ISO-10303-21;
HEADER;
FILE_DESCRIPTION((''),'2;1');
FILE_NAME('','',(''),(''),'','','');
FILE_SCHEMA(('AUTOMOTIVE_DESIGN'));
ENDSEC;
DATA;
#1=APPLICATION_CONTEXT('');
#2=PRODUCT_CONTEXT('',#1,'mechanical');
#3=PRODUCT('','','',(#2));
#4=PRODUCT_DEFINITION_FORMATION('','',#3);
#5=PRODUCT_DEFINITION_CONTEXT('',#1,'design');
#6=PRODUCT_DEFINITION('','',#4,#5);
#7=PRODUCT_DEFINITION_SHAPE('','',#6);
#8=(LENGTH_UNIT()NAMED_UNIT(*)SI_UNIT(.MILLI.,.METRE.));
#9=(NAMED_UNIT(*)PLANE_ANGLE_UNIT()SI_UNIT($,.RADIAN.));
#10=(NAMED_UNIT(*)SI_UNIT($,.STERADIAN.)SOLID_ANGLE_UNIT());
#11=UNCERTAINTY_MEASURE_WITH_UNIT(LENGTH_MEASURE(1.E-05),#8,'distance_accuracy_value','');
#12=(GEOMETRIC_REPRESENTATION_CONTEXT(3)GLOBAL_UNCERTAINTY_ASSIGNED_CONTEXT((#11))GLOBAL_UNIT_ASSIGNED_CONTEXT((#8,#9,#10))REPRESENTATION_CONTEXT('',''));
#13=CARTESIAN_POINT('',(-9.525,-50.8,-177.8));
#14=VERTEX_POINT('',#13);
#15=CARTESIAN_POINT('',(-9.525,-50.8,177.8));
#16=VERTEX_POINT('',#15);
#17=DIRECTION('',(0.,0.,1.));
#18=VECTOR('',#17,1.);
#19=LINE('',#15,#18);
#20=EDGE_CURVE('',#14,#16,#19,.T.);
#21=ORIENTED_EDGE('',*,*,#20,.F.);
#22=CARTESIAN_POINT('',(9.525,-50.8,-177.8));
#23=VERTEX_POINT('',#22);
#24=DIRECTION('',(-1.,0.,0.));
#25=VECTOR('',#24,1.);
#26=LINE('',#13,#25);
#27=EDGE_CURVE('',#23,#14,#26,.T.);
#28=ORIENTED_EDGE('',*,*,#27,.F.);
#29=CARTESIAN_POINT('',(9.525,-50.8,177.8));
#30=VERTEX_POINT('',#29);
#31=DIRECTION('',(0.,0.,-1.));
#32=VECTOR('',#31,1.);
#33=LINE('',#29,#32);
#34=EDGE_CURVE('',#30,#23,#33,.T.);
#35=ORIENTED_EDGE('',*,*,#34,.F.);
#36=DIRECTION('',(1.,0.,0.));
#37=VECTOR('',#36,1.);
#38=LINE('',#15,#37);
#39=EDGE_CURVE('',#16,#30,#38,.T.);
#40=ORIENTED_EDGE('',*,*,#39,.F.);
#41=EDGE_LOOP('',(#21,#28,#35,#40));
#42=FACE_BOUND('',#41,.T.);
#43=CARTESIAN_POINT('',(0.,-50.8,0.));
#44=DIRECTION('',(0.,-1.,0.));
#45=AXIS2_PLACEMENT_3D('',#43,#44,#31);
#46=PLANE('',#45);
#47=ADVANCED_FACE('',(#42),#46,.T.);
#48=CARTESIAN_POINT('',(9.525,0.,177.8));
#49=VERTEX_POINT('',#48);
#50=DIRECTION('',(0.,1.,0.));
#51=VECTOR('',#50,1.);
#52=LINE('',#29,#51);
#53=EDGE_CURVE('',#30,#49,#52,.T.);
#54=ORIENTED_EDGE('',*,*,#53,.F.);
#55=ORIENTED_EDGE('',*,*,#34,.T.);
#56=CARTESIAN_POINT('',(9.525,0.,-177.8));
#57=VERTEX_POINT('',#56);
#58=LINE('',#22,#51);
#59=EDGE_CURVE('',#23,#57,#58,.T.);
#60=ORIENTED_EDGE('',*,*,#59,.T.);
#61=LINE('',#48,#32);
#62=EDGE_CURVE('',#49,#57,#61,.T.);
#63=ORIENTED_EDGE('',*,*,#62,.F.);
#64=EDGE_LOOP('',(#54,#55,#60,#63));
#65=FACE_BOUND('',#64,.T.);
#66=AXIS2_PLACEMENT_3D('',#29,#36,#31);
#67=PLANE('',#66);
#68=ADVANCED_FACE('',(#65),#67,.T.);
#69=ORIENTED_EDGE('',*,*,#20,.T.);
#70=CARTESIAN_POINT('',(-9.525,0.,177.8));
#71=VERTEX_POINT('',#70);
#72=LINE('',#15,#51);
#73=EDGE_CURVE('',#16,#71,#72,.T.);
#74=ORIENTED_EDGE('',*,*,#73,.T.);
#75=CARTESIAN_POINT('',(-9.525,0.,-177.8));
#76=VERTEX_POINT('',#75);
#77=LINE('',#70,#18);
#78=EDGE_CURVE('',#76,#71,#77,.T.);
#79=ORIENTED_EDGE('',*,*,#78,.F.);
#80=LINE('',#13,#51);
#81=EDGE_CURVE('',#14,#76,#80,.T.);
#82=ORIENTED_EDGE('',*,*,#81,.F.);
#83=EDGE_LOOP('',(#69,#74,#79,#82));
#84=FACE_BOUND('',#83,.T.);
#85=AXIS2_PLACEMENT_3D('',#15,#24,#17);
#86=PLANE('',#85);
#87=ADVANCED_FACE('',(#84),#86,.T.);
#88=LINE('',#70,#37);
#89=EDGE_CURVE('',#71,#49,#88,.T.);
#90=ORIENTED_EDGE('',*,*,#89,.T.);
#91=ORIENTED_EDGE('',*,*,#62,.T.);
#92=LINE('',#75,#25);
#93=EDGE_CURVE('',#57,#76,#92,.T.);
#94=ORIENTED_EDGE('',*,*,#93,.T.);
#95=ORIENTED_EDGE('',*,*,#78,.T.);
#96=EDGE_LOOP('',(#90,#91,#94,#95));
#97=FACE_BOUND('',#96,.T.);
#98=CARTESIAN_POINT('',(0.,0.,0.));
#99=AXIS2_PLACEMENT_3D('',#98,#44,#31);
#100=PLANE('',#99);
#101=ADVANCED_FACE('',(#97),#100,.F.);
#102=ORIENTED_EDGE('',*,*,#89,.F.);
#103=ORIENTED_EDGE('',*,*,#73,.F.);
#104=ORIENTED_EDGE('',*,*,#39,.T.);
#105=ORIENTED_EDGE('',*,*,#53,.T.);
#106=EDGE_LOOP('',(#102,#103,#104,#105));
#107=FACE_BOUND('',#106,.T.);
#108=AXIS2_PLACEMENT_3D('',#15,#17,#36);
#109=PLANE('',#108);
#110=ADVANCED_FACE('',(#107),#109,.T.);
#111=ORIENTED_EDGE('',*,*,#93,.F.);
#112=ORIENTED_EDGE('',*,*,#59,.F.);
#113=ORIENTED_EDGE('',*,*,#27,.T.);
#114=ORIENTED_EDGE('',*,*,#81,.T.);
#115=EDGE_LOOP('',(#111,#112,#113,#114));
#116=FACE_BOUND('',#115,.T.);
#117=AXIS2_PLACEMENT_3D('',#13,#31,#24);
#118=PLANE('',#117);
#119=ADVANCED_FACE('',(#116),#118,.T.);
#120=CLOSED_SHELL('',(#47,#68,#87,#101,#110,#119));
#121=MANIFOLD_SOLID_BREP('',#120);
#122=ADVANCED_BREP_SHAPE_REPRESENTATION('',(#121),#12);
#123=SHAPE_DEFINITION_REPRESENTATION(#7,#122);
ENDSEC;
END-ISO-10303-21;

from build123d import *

# Parameters (mm, degrees)
SKETCH1_W           = 19.05
SKETCH1_H           = 355.6
BOSS_EXTRUDE1_DEPTH = 50.8


with BuildPart() as part:
    # Sketch1 → Boss-Extrude1 (new body)
    with BuildSketch(Plane(origin=(0, 0, 0), x_dir=(1, 0, 0), z_dir=(0, 1, 0))):
        Rectangle(SKETCH1_W, SKETCH1_H)
    extrude(amount=-BOSS_EXTRUDE1_DEPTH)


solid = part.part
